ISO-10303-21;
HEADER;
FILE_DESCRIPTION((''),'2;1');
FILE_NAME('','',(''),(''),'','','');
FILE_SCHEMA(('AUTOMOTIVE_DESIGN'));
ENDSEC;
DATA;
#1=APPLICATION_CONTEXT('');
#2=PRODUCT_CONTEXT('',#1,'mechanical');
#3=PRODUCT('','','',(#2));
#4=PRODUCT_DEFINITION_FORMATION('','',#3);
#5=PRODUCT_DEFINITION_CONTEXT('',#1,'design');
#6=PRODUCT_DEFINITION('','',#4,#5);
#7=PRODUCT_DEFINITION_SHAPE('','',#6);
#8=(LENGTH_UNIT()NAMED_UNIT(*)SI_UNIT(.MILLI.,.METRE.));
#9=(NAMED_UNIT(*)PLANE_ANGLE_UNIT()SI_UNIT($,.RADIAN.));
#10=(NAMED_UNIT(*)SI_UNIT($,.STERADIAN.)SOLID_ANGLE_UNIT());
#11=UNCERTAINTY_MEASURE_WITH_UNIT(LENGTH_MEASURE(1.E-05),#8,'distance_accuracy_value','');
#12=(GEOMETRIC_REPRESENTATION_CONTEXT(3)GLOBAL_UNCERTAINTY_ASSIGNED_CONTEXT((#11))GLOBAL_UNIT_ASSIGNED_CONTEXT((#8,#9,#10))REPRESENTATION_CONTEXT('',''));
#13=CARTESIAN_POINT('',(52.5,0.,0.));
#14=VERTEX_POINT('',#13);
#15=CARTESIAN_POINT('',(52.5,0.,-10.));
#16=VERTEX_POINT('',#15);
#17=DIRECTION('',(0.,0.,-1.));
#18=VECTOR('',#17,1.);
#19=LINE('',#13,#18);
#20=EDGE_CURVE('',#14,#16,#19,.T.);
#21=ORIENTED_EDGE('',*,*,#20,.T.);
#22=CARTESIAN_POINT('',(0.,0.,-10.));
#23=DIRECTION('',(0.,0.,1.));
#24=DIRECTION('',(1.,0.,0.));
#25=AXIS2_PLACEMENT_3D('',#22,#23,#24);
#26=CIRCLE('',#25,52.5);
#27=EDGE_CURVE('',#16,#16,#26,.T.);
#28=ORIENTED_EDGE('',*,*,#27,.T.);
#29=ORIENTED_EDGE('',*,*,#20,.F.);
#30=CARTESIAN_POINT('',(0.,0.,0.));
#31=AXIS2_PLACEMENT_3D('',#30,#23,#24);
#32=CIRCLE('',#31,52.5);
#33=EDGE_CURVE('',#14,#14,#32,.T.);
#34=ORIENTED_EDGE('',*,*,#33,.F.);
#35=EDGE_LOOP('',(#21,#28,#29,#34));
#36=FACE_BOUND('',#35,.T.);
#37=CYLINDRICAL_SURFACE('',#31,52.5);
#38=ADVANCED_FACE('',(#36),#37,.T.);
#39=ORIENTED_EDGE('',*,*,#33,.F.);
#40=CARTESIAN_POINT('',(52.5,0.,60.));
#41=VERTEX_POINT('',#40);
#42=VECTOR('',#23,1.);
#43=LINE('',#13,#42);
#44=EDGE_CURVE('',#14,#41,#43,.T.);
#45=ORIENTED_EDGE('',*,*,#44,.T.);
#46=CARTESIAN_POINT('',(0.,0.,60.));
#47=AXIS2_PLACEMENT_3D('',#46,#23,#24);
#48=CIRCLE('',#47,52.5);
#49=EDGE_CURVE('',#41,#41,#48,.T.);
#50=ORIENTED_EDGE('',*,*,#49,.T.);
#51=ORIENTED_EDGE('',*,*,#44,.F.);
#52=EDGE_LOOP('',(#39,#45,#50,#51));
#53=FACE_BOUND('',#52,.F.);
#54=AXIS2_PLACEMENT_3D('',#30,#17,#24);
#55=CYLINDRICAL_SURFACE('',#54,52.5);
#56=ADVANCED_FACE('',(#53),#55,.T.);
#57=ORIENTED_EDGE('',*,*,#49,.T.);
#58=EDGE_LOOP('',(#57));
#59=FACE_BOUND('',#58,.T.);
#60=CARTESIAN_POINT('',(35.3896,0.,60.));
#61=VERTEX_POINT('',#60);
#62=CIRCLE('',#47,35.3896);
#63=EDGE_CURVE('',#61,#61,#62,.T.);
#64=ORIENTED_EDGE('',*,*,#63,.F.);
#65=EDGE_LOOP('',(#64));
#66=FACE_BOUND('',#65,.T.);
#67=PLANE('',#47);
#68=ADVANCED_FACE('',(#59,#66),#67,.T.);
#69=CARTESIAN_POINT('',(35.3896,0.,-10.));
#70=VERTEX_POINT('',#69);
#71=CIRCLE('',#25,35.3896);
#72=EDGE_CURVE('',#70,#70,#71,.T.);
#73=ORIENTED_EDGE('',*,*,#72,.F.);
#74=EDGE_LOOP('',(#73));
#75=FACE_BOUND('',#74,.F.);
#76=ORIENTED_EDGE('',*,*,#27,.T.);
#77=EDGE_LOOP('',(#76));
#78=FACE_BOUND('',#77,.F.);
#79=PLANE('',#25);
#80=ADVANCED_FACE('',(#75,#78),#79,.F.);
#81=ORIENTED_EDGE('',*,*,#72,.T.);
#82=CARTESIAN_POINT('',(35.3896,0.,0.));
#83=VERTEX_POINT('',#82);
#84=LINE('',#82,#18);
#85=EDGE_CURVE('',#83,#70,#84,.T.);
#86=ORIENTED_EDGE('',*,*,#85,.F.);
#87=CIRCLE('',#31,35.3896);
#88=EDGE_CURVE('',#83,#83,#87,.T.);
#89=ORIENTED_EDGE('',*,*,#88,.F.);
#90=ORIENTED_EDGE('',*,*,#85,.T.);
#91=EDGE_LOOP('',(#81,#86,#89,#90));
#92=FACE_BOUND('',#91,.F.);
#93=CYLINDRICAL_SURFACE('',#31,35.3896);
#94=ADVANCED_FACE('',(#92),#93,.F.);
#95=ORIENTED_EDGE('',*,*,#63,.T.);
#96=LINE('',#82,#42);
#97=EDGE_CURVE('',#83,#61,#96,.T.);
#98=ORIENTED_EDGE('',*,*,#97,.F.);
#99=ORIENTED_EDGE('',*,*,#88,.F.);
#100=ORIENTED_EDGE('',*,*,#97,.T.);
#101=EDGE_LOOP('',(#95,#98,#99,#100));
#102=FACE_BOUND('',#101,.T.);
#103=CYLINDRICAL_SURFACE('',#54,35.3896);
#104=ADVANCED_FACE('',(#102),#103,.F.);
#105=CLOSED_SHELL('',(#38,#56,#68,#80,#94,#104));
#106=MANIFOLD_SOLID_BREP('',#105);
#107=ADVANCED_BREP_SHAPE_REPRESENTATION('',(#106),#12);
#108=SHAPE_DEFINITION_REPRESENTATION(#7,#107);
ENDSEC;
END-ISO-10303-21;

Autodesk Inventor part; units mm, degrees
ref_plane "YZ Plane" through (0, 0, 0) normal (1, 0, 0) x (0, 1, 0)
ref_plane "XZ Plane" through (0, 0, 0) normal (0, 1, 0) x (-1, 0, 0)
ref_plane "XY Plane" through (0, 0, 0) normal (0, 0, 1) x (1, 0, 0)
ref_plane "Płaszczyzna konstrukcyjna1" through (0, -60, 0) normal (0, 1, 0) x (1, 0, 0)
sketch "Szkic1" plane through (0, 0, 0) normal (0, 0, 1) x (1, 0, 0)
  circle A0 centre (0, 0) radius 52.5 projected
  circle A1 centre (0, 0) radius 35.3896
extrude "Wyciągnięcie proste1" add sketch "Szkic1" along normal blind 60 and the other way blind 10
